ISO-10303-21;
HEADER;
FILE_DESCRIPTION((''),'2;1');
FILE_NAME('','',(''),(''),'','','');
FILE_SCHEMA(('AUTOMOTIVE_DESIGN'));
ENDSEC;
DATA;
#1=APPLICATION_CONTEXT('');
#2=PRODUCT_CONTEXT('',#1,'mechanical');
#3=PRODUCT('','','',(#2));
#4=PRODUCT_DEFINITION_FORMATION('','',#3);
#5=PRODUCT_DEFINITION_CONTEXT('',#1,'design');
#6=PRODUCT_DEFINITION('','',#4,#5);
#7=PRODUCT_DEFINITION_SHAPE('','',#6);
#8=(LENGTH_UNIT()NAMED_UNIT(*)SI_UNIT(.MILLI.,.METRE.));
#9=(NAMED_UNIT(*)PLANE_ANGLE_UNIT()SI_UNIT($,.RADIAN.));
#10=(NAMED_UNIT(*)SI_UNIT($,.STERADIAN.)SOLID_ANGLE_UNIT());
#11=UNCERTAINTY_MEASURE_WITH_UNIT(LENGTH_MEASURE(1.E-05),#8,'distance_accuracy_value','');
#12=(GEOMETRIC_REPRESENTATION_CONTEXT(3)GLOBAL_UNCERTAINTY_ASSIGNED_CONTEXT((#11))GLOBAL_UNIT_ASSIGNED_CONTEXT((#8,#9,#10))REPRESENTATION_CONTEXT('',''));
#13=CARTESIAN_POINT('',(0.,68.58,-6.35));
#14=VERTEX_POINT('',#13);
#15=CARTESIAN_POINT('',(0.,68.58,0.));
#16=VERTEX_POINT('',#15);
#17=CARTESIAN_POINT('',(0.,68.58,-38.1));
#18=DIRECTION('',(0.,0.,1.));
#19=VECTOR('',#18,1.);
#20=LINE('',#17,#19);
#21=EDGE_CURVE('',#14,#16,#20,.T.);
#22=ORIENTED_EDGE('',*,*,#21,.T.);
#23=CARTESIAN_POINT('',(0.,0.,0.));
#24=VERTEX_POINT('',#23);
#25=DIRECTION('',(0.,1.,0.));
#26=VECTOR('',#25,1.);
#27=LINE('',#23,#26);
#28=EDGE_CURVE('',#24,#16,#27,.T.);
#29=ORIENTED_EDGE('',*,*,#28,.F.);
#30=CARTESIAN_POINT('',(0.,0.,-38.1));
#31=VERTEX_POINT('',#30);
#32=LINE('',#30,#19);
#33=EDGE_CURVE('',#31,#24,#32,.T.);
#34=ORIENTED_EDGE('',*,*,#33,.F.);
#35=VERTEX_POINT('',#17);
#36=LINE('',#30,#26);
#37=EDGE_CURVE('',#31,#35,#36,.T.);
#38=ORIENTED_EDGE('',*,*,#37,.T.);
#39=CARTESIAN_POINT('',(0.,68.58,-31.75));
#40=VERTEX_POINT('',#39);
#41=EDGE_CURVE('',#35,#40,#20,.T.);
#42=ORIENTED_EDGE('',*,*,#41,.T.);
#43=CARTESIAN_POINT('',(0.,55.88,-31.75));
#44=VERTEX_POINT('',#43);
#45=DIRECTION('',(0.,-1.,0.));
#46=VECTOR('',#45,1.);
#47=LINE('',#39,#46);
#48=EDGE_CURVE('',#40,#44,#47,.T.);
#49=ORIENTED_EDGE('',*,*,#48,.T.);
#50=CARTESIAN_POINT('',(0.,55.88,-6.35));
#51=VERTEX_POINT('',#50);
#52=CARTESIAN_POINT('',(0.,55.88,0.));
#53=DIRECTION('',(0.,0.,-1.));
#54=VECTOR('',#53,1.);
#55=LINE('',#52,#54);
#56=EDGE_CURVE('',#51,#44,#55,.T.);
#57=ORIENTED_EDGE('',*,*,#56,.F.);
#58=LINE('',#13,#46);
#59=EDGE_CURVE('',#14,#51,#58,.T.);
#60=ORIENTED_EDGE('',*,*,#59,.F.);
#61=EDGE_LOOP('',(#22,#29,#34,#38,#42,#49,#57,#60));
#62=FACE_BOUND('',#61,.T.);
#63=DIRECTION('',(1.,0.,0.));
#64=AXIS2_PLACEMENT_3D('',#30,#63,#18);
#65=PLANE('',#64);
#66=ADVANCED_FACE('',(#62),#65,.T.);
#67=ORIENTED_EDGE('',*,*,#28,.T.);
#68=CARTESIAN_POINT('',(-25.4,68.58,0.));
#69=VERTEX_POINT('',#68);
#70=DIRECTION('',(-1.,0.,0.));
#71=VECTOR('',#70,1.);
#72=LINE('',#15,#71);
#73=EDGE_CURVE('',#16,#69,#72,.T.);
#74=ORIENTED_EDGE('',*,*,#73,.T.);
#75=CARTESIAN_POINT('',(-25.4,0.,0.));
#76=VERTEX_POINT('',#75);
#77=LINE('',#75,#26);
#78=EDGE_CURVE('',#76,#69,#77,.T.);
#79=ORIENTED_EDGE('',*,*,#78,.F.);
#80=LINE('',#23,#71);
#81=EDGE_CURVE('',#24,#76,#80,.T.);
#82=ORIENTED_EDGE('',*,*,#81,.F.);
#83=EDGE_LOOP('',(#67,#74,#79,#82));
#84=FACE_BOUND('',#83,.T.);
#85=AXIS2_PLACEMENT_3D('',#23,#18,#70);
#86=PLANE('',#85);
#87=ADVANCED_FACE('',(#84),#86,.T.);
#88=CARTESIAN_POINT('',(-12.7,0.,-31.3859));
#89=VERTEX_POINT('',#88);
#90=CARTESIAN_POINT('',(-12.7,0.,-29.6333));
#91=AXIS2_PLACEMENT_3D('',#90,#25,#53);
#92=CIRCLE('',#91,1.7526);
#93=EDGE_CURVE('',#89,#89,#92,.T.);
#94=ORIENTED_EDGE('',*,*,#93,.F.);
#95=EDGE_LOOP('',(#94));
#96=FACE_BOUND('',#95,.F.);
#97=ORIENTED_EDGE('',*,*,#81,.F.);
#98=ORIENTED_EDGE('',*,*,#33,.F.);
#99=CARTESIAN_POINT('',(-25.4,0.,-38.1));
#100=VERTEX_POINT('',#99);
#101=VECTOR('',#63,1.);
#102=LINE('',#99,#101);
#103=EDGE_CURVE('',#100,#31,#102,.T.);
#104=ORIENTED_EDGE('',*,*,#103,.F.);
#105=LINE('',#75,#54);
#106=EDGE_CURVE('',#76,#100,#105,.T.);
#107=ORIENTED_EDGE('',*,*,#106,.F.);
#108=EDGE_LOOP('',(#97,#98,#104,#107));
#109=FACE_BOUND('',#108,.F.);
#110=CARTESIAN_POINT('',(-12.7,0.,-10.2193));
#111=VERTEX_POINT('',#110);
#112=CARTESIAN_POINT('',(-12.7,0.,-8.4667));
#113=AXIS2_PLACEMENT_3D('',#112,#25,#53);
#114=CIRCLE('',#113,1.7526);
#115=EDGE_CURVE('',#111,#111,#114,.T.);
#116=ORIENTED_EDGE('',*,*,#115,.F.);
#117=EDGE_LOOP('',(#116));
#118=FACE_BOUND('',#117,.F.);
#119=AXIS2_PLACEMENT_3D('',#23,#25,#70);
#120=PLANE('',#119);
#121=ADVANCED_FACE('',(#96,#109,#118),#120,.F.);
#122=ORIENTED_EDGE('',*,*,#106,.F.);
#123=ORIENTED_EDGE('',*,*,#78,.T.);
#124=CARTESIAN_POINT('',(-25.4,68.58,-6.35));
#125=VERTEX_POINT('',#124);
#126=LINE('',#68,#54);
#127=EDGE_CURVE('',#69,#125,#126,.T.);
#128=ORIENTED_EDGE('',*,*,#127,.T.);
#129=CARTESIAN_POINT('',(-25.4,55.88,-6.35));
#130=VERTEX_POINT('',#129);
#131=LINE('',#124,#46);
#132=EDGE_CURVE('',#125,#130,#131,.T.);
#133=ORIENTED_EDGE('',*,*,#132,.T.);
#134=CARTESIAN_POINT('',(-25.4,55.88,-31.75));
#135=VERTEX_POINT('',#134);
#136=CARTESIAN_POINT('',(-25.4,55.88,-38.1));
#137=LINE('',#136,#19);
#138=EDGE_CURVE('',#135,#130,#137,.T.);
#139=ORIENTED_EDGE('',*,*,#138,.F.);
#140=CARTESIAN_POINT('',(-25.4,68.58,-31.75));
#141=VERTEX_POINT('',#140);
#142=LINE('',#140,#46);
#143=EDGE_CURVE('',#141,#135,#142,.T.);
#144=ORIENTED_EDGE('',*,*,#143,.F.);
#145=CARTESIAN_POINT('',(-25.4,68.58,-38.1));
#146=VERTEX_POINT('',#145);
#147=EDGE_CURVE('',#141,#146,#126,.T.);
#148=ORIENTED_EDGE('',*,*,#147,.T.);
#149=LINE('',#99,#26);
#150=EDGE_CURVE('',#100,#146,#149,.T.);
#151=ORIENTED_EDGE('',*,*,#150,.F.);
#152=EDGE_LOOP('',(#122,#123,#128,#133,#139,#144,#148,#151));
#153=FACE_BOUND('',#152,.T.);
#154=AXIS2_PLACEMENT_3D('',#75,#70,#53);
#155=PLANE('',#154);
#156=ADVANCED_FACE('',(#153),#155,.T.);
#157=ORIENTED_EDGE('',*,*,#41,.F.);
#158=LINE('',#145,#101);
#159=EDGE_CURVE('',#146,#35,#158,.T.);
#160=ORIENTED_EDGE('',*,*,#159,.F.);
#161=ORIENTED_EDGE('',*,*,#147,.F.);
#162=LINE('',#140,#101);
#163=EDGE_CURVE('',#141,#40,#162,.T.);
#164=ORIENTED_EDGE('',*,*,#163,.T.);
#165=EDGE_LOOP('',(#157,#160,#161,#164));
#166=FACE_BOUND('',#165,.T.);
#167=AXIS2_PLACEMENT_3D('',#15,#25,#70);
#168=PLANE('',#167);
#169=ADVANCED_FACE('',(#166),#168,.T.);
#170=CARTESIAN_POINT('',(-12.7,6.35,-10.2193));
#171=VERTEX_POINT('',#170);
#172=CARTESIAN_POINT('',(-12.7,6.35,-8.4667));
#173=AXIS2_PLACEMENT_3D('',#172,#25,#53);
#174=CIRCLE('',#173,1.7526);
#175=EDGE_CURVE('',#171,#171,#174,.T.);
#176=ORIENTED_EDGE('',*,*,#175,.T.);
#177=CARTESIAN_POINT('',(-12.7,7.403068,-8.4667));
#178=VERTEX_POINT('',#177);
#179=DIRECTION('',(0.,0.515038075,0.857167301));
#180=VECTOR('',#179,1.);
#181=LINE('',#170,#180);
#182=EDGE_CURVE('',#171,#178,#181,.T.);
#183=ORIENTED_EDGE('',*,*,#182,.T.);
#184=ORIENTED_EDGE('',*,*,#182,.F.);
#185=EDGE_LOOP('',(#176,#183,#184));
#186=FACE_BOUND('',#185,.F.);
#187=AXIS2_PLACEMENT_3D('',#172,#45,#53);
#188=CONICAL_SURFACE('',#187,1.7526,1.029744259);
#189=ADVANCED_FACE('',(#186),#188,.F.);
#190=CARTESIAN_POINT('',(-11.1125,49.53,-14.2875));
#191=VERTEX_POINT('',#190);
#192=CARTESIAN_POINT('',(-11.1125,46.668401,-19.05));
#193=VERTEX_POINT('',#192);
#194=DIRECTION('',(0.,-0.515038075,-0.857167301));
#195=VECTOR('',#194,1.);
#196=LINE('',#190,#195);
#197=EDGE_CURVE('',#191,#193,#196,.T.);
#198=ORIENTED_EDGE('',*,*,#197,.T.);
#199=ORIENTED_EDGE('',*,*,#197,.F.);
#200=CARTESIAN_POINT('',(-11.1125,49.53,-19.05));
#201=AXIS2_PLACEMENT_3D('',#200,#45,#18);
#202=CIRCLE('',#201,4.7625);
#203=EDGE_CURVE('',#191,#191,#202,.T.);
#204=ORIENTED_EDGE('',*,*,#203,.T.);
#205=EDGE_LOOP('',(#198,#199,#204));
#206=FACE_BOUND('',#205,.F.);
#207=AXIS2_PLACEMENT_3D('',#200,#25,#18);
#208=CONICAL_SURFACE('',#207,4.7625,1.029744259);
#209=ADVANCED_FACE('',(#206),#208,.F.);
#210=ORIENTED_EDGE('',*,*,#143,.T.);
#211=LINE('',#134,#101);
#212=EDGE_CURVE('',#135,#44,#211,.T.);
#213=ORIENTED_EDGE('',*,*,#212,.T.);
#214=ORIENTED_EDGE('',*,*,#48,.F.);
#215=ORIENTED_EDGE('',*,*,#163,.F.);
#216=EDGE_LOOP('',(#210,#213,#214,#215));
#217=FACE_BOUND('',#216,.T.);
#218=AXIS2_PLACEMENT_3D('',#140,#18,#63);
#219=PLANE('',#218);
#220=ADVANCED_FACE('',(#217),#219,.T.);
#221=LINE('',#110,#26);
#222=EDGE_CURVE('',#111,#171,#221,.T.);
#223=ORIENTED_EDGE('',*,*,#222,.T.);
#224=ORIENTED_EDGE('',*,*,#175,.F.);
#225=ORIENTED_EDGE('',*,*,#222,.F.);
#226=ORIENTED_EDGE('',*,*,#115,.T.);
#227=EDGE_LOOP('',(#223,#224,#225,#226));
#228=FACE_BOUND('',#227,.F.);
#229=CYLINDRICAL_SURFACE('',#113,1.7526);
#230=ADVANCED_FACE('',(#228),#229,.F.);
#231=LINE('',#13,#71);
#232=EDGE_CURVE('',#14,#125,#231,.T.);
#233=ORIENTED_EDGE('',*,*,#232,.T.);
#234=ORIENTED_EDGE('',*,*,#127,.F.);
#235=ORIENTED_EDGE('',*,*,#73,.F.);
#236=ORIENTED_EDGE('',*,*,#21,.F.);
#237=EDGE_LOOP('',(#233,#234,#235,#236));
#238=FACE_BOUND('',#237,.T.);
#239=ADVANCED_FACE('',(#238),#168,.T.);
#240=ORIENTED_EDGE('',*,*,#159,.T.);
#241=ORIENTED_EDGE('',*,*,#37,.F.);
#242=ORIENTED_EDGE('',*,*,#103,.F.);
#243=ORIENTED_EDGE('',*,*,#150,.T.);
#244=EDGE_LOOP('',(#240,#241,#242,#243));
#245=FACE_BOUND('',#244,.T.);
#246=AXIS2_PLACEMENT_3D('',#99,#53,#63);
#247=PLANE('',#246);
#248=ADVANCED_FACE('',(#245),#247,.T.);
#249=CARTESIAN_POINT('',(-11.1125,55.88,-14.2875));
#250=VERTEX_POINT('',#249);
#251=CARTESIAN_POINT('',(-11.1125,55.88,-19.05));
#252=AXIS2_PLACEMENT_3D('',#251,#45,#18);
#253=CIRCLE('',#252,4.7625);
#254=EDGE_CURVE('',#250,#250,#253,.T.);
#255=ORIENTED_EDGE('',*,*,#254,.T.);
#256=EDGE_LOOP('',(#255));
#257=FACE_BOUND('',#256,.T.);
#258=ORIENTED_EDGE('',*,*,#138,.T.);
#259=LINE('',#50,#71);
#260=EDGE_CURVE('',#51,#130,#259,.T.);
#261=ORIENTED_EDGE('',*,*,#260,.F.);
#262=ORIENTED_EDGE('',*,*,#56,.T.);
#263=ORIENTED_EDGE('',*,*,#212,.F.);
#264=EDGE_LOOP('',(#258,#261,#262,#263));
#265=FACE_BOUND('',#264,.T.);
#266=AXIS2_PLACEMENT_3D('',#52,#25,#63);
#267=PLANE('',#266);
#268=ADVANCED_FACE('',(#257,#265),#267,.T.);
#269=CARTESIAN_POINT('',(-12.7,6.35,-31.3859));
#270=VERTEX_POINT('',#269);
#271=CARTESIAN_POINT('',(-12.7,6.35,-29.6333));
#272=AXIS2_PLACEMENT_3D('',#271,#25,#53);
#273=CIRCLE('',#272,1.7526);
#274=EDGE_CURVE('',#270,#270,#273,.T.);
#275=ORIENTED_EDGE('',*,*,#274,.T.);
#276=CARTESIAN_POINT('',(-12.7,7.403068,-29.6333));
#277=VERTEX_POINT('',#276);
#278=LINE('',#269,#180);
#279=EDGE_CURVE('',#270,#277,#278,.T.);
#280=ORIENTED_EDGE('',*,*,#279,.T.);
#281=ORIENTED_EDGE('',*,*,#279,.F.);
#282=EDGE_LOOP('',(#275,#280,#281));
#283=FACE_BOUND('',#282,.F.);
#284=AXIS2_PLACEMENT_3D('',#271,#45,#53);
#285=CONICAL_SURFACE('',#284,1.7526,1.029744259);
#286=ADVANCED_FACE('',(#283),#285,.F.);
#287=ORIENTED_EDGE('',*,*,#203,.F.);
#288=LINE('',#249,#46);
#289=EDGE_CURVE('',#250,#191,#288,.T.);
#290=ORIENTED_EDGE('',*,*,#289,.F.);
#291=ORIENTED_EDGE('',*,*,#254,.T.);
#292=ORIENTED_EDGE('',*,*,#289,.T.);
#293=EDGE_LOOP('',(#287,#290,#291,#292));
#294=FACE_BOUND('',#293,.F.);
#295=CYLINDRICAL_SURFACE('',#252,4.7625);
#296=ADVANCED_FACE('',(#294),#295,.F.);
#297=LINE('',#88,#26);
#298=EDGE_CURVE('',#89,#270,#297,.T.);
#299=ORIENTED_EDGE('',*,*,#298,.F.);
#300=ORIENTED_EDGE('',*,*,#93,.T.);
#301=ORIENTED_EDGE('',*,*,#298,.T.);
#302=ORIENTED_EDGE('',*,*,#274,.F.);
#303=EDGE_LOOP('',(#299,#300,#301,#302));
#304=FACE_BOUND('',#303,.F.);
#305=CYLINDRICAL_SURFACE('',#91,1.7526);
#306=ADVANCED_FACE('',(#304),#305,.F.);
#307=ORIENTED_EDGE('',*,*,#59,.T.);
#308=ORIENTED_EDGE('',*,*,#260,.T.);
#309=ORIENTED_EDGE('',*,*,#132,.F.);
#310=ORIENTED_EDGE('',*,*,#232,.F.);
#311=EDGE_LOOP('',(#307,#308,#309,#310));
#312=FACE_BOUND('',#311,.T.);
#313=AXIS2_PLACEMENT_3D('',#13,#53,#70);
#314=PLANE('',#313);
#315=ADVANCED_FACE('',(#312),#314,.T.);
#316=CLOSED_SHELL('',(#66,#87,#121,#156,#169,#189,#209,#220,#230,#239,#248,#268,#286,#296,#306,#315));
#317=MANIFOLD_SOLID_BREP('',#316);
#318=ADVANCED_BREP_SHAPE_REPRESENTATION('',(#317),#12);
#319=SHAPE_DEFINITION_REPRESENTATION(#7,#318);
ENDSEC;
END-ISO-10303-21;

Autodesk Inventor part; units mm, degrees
ref_plane "YZ Plane" through (0, 0, 0) normal (1, 0, 0) x (0, 1, 0)
ref_plane "XZ Plane" through (0, 0, 0) normal (0, 1, 0) x (-1, 0, 0)
ref_plane "XY Plane" through (0, 0, 0) normal (0, 0, 1) x (1, 0, 0)
sketch "Sketch1" plane through (0, 0, 0) normal (0, 1, 0) x (-1, 0, 0)
  line L0 (0, 0) -> (25.4, 0)
  line L1 (25.4, 0) -> (25.4, -38.1)
  line L2 (25.4, -38.1) -> (0, -38.1)
  line L3 (0, -38.1) -> (0, 0)
  dimension "d0" = 38.1
  dimension "d1" = 25.4
extrude "Extrusion1" add sketch "Sketch1" along normal blind 68.58
sketch "Sketch2" plane through (0, 68.58, 0) normal (0, 1, 0) x (1, 0, 0)
  line L0 (0, 0) -> (0, 38.1) projected
  line L1 (-25.4, 38.1) -> (-25.4, 0) projected
  line L2 (0, 6.35) -> (-25.4, 6.35)
  line L3 (-25.4, 6.35) -> (-25.4, 31.75)
  line L4 (-25.4, 31.75) -> (0, 31.75)
  line L5 (0, 31.75) -> (0, 6.35)
  line L6 (-25.4, 0) -> (0, 0) projected
  dimension "d4" = 6.35
  dimension "d5" = 25.4
extrude "Extrusion2" cut sketch "Sketch2" against normal blind 12.7 contours L2 L1 L4 L0
sketch "Sketch3" plane through (0, 55.88, 0) normal (0, 1, 0) x (1, 0, 0)
  circle A0 centre (-11.1125, 19.05) radius 6.35 projected
  point P0 (0, 0)
hole "Hole1" at (-11.1125, 55.88, -19.05) direction (0, -1, 0) diameter 9.525 depth 6.35 tip angle 118
sketch "Sketch4" plane through (0, 0, 0) normal (0, -1, 0) x (1, 0, 0)
  circle A0 centre (-11.1125, -19.05) radius 4.7625 projected
  line L0 (-25.4, 0) -> (-25.4, -38.1) projected
  line L1 (0, -38.1) -> (0, 0) projected
  line L2 (-25.4, -38.1) -> (0, -38.1) projected
  line L3 (0, 0) -> (-25.4, 0) projected
  point P0 (-12.7, -29.6333)
  point P1 (-12.7, -8.4667)
  dimension "d15" = 25.4
  dimension "d16" = 12.7
  dimension "d17" = 12.7
  dimension "d18" = 8.4667
  dimension "d19" = 8.4667
hole "Hole2" at (-12.7, 0, -29.6333) at (-12.7, 0, -8.4667) direction (0, 1, 0) diameter 3.5052 depth 6.35 tip angle 118
equation "\"d16\" = 0.5 * d15"
equation "\"d17\" = d16"
equation "\"d19\" = d18"
properties part number "TSV+Support"
